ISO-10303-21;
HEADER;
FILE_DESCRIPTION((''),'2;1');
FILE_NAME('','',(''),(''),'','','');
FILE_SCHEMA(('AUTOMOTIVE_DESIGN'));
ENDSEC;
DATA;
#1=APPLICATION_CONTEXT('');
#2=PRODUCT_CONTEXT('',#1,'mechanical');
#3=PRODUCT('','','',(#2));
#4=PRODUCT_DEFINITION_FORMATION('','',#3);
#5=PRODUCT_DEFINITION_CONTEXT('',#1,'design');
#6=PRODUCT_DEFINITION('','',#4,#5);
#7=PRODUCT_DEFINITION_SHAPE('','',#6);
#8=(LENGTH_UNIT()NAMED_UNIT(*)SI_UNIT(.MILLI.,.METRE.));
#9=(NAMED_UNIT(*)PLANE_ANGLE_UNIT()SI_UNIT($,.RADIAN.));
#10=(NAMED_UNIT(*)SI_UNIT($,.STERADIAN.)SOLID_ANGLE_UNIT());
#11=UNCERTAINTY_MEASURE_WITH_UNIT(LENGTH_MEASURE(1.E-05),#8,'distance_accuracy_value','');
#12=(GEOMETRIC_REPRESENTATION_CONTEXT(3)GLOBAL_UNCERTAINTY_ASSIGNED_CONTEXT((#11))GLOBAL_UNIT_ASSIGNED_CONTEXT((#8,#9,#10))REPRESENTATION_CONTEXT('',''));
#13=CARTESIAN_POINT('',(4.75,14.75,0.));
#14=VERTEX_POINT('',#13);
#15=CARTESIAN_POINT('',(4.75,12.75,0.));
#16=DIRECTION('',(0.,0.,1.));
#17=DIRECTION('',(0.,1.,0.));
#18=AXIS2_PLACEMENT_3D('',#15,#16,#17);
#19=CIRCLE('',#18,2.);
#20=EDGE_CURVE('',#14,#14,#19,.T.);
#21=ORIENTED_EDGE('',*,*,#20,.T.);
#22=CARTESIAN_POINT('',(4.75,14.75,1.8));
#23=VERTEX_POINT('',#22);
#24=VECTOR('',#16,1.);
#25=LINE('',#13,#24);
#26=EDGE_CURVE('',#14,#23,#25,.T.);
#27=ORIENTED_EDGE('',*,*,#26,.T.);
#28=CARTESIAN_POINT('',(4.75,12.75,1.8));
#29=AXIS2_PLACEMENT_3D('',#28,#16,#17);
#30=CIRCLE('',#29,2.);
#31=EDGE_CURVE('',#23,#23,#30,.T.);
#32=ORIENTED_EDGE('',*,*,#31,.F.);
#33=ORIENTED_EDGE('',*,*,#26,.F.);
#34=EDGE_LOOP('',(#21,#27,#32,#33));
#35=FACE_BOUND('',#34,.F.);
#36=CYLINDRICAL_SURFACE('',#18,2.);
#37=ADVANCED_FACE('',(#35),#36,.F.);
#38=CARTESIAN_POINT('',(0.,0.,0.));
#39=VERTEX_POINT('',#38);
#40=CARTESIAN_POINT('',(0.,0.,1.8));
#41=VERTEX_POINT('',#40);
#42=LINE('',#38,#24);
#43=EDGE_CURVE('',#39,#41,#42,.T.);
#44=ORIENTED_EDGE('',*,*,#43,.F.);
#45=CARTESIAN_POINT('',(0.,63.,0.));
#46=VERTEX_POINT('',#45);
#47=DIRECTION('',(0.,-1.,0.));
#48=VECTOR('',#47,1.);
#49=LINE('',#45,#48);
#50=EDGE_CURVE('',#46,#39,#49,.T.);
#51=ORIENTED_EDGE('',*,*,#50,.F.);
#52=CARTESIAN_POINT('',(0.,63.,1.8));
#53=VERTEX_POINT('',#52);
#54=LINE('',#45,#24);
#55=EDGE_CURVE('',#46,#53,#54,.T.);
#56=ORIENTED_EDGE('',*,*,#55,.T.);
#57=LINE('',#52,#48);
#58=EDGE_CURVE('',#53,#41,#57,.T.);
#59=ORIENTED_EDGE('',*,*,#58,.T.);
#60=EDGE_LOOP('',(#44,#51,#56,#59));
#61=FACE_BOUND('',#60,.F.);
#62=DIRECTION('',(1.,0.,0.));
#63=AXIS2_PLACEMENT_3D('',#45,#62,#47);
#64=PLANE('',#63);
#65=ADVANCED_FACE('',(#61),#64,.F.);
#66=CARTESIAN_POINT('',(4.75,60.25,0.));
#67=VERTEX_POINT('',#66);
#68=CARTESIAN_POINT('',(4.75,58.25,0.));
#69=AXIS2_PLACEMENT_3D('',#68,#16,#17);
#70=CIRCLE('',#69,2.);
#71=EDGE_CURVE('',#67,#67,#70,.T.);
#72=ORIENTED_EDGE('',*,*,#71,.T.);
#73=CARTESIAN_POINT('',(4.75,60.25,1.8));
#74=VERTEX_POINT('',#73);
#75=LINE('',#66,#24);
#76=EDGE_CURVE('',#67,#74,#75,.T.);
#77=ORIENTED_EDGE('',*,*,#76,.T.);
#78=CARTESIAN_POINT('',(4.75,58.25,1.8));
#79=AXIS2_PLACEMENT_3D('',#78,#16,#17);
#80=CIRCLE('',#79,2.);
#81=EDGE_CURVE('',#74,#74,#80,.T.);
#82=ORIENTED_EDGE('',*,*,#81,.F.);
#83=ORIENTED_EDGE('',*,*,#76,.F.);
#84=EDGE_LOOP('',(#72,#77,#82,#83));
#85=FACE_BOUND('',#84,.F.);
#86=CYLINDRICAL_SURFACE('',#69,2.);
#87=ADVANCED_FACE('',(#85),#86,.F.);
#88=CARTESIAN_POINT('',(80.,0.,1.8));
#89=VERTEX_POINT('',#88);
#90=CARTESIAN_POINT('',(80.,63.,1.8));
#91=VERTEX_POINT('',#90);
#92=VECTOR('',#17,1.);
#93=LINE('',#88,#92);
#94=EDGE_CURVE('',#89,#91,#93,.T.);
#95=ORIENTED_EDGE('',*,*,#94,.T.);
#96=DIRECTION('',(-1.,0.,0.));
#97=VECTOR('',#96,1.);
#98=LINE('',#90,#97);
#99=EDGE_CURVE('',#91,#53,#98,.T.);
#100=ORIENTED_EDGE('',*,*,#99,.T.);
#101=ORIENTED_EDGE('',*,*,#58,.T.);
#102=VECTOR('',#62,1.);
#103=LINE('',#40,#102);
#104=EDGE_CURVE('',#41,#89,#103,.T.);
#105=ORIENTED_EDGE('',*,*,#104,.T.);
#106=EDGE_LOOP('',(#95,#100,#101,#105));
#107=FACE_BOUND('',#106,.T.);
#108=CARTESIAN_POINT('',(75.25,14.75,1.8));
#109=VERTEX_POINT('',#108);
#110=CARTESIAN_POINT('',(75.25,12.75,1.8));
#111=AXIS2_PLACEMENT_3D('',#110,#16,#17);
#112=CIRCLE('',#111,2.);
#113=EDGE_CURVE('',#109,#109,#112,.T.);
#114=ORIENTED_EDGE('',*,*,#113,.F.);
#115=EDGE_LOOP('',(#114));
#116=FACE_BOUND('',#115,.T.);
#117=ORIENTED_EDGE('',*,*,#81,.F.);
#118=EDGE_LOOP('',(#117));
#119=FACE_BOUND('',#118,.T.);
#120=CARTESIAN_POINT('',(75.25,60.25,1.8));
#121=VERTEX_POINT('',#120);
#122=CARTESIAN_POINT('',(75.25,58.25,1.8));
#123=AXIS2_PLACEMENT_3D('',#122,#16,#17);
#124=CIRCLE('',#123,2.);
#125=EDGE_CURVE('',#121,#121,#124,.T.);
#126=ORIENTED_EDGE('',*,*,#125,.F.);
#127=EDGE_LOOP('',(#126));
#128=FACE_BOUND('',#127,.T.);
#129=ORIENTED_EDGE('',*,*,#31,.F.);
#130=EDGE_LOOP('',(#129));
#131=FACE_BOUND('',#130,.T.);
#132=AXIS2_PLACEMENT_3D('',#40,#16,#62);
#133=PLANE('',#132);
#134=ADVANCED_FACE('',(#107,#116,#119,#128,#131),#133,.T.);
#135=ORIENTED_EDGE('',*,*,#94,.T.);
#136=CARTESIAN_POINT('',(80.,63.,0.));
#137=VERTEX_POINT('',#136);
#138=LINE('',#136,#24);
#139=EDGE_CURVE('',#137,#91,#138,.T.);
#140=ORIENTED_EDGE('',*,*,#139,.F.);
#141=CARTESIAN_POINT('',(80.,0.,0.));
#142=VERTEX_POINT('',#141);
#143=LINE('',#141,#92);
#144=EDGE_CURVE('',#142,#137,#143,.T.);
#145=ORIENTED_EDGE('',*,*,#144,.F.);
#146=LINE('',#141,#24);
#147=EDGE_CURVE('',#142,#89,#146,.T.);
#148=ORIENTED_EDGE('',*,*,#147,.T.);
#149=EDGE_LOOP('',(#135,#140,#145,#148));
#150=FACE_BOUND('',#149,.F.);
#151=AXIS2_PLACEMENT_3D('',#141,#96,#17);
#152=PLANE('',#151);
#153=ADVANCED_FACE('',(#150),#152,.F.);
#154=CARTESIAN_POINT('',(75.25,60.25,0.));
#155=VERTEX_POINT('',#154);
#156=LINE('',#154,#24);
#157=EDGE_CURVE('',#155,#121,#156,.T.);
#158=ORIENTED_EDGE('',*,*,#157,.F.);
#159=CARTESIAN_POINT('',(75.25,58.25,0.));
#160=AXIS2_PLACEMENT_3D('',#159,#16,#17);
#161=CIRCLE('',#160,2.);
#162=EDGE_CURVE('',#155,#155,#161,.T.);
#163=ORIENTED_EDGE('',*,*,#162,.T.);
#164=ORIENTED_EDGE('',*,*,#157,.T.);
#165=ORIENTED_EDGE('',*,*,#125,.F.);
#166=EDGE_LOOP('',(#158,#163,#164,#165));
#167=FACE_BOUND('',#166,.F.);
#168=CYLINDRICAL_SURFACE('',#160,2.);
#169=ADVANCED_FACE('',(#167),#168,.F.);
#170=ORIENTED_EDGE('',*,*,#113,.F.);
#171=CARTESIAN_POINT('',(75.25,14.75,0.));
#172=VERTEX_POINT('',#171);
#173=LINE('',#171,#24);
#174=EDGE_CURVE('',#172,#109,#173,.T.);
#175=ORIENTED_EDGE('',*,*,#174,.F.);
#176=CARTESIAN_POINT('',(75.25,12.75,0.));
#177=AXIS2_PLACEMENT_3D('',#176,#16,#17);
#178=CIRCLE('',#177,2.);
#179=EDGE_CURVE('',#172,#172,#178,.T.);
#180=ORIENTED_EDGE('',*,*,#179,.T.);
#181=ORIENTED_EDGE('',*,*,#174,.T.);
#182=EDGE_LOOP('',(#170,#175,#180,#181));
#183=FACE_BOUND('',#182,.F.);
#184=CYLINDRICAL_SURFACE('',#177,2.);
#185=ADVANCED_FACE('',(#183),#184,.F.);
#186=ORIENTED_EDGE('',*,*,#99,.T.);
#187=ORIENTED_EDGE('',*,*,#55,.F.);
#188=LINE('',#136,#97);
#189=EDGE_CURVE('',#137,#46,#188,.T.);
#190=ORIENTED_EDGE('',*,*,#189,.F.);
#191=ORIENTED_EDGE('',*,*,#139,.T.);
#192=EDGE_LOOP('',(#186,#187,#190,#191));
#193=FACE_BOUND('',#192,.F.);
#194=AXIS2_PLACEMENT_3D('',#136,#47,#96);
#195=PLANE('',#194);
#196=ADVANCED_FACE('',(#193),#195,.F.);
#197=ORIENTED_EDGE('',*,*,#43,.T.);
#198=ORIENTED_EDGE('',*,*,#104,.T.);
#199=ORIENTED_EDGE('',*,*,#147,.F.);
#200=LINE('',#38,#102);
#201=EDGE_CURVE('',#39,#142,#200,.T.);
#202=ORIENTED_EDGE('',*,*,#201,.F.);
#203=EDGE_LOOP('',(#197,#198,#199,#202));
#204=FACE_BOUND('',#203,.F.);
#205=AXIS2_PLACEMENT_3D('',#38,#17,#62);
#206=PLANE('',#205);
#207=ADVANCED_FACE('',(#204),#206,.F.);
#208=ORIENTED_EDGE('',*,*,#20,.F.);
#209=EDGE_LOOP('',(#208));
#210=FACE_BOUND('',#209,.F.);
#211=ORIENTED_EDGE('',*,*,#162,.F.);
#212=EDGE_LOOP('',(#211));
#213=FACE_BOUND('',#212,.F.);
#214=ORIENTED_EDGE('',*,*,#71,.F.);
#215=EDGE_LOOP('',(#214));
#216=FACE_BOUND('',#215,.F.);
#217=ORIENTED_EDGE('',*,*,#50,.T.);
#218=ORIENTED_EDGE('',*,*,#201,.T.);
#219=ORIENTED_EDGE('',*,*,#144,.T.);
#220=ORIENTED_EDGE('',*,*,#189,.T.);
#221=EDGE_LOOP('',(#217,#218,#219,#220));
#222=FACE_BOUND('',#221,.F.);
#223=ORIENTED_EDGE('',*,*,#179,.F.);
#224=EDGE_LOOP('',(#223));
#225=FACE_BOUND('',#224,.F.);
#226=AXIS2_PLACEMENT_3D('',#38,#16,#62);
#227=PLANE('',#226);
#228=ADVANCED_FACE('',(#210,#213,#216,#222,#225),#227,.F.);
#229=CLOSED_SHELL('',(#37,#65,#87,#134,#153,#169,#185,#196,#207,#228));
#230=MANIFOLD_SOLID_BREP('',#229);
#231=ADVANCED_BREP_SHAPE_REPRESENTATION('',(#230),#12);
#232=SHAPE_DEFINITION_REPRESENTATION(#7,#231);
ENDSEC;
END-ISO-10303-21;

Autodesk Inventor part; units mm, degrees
ref_plane "YZ Plane" through (0, 0, 0) normal (1, 0, 0) x (0, 1, 0)
ref_plane "XZ Plane" through (0, 0, 0) normal (0, 1, 0) x (-1, 0, 0)
ref_plane "XY Plane" through (0, 0, 0) normal (0, 0, 1) x (1, 0, 0)
sketch "Sketch1" plane through (0, 0, 0) normal (0, 0, 1) x (1, 0, 0)
  line L0 (0, 0) -> (80, 0)
  line L1 (80, 0) -> (80, 63)
  line L2 (80, 63) -> (0, 63)
  line L3 (0, 63) -> (0, 0)
  line L4 (4.75, 58.25) -> (75.25, 58.25) construction
  line L5 (75.25, 58.25) -> (75.25, 12.75) construction
  line L6 (75.25, 12.75) -> (4.75, 12.75) construction
  line L7 (4.75, 12.75) -> (4.75, 58.25) construction
  dimension "d0" = 80
  dimension "d1" = 63
  dimension "d2" = 70.5
  dimension "d3" = 45.5
  dimension "d4" = 4.75
  dimension "d5" = 4.75
  dimension "d6" = 4.75
extrude "Extrusion1" add sketch "Sketch1" along normal blind 1.8
hole "Hole1" at (75.25, 58.25, 0) at (4.75, 58.25, 0) at (4.75, 12.75, 0) at (75.25, 12.75, 0) direction (0, 0, 1) diameter 4 end through all
sketch "Sketch2" plane through (0, 0, 0) normal (0, 0, -1) x (-1, 0, 0)
  line L0 (-54.75, 6.08) -> (-24.25, 6.08)
  line L1 (-24.25, 6.08) -> (-24.25, 1)
  line L2 (-24.25, 1) -> (-54.75, 1)
  line L3 (-54.75, 1) -> (-54.75, 6.08)
  line L4 (0, 0) -> (-80, 0) projected
  line L5 (0, 63) -> (0, 0) projected
  line L6 (-80, 0) -> (-80, 63) projected
  line L7 (-80, 0) -> (-80, 63) projected
  line L8 (-80, 8) -> (0, 8)
  line L9 (0, 63) -> (0, 0) projected
  line L10 (-80, 63) -> (0, 63) projected
  line L11 (-71.75, 58.5) -> (-8.25, 58.5)
  line L12 (-4.5, 54.75) -> (-4.5, 16.25)
  line L13 (-8.25, 12.5) -> (-71.75, 12.5)
  line L14 (-75.5, 16.25) -> (-75.5, 54.75)
  line L15 (0, 0) -> (-80, 0) construction
  line L16 (-40, 0) -> (-40, 63) construction
  arc A0 (-8.25, 58.5) -> (-4.5, 54.75) centre (-4.5, 58.5) ccw
  arc A1 (-75.5, 54.75) -> (-71.75, 58.5) centre (-75.5, 58.5) ccw
  arc A2 (-71.75, 12.5) -> (-75.5, 16.25) centre (-75.5, 12.5) ccw
  arc A3 (-4.5, 16.25) -> (-8.25, 12.5) centre (-4.5, 12.5) ccw
  dimension "d16" = 30.5
  dimension "d17" = 5.08
  dimension "d18" = 1
  dimension "d19" = 24.25
  dimension "d20" = 25.25
  dimension "d21" = 55
  dimension "d24" = 4.5
  dimension "d25" = 7.5
  dimension "d26" = 7.5
  dimension "d27" = 7.5
  dimension "d28" = 7.5
  dimension "d29" = 71
  dimension "d30" = 46
properties part number "Sensor Head PCB"
